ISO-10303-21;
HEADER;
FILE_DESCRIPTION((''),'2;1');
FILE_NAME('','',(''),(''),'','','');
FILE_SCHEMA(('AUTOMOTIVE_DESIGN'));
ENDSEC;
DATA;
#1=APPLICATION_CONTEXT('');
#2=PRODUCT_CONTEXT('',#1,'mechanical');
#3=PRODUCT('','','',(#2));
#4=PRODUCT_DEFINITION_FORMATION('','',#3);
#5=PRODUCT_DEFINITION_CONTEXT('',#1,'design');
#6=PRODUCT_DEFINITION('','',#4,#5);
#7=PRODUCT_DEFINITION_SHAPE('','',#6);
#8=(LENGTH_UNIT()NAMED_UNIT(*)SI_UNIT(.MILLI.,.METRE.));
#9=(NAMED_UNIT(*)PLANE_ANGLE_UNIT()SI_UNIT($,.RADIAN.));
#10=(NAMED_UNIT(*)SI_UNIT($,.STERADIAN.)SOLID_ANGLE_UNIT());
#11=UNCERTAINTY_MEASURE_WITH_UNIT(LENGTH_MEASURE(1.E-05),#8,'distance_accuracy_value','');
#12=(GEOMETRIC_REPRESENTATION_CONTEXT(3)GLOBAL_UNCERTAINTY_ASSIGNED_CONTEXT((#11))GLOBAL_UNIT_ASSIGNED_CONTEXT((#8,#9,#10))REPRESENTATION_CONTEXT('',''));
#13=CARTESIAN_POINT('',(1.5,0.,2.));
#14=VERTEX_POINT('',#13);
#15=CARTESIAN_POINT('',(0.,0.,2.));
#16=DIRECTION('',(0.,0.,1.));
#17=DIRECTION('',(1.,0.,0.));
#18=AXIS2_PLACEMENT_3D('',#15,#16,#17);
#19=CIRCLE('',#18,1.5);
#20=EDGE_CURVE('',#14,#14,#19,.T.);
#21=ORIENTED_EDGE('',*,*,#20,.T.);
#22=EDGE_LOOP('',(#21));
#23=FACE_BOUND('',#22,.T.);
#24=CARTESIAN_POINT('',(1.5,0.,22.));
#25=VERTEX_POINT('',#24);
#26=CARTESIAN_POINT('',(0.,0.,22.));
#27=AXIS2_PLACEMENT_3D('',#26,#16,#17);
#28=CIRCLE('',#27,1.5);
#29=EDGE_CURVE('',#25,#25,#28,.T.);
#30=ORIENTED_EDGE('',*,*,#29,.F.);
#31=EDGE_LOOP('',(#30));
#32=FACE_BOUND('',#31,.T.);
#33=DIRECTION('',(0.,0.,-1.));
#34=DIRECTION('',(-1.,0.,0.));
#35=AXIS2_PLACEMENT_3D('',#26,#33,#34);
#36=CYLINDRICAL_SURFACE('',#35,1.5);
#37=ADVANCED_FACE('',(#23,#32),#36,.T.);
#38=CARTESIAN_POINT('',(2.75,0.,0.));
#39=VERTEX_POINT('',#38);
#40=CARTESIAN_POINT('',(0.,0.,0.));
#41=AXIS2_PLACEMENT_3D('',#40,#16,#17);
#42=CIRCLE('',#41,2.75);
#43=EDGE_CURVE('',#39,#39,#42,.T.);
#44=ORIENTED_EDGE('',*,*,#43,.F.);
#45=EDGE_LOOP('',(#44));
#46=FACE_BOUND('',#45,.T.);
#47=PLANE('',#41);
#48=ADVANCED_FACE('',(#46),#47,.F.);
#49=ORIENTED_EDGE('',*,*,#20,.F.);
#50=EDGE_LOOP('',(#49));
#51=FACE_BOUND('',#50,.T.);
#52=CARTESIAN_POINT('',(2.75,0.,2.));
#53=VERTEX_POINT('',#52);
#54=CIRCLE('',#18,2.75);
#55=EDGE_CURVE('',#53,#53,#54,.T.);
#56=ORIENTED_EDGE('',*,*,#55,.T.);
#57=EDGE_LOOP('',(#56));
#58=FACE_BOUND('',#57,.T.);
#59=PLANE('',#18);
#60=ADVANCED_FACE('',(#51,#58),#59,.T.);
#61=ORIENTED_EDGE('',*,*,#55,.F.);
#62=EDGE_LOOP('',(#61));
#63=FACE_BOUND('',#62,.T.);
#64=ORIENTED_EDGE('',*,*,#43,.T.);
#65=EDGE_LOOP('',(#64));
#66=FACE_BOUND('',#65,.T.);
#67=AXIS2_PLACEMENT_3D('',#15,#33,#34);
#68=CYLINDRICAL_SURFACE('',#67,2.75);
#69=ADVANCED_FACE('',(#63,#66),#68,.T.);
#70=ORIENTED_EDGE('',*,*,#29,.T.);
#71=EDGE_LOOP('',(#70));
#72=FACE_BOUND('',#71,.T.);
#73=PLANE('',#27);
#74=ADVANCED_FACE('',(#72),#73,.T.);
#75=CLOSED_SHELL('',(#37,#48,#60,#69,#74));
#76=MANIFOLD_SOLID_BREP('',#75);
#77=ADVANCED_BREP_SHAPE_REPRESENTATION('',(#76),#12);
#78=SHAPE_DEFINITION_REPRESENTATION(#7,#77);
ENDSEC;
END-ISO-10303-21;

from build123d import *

# Parameters (mm, degrees)
ESQUISSE1_R        = 2.75
BOSS_EXTRU_1_DEPTH = 2
ESQUISSE2_R        = 1.5
BOSS_EXTRU_2_DEPTH = 20


with BuildPart() as part:
    # Esquisse1 → Boss.-Extru.1 (new body)
    with BuildSketch(Plane.XY):
        Circle(ESQUISSE1_R)
    extrude(amount=BOSS_EXTRU_1_DEPTH)

    # Esquisse2 → Boss.-Extru.2 (add)
    with BuildSketch(Plane.XY.offset(2)):
        Circle(ESQUISSE2_R)
    extrude(amount=BOSS_EXTRU_2_DEPTH)


solid = part.part
